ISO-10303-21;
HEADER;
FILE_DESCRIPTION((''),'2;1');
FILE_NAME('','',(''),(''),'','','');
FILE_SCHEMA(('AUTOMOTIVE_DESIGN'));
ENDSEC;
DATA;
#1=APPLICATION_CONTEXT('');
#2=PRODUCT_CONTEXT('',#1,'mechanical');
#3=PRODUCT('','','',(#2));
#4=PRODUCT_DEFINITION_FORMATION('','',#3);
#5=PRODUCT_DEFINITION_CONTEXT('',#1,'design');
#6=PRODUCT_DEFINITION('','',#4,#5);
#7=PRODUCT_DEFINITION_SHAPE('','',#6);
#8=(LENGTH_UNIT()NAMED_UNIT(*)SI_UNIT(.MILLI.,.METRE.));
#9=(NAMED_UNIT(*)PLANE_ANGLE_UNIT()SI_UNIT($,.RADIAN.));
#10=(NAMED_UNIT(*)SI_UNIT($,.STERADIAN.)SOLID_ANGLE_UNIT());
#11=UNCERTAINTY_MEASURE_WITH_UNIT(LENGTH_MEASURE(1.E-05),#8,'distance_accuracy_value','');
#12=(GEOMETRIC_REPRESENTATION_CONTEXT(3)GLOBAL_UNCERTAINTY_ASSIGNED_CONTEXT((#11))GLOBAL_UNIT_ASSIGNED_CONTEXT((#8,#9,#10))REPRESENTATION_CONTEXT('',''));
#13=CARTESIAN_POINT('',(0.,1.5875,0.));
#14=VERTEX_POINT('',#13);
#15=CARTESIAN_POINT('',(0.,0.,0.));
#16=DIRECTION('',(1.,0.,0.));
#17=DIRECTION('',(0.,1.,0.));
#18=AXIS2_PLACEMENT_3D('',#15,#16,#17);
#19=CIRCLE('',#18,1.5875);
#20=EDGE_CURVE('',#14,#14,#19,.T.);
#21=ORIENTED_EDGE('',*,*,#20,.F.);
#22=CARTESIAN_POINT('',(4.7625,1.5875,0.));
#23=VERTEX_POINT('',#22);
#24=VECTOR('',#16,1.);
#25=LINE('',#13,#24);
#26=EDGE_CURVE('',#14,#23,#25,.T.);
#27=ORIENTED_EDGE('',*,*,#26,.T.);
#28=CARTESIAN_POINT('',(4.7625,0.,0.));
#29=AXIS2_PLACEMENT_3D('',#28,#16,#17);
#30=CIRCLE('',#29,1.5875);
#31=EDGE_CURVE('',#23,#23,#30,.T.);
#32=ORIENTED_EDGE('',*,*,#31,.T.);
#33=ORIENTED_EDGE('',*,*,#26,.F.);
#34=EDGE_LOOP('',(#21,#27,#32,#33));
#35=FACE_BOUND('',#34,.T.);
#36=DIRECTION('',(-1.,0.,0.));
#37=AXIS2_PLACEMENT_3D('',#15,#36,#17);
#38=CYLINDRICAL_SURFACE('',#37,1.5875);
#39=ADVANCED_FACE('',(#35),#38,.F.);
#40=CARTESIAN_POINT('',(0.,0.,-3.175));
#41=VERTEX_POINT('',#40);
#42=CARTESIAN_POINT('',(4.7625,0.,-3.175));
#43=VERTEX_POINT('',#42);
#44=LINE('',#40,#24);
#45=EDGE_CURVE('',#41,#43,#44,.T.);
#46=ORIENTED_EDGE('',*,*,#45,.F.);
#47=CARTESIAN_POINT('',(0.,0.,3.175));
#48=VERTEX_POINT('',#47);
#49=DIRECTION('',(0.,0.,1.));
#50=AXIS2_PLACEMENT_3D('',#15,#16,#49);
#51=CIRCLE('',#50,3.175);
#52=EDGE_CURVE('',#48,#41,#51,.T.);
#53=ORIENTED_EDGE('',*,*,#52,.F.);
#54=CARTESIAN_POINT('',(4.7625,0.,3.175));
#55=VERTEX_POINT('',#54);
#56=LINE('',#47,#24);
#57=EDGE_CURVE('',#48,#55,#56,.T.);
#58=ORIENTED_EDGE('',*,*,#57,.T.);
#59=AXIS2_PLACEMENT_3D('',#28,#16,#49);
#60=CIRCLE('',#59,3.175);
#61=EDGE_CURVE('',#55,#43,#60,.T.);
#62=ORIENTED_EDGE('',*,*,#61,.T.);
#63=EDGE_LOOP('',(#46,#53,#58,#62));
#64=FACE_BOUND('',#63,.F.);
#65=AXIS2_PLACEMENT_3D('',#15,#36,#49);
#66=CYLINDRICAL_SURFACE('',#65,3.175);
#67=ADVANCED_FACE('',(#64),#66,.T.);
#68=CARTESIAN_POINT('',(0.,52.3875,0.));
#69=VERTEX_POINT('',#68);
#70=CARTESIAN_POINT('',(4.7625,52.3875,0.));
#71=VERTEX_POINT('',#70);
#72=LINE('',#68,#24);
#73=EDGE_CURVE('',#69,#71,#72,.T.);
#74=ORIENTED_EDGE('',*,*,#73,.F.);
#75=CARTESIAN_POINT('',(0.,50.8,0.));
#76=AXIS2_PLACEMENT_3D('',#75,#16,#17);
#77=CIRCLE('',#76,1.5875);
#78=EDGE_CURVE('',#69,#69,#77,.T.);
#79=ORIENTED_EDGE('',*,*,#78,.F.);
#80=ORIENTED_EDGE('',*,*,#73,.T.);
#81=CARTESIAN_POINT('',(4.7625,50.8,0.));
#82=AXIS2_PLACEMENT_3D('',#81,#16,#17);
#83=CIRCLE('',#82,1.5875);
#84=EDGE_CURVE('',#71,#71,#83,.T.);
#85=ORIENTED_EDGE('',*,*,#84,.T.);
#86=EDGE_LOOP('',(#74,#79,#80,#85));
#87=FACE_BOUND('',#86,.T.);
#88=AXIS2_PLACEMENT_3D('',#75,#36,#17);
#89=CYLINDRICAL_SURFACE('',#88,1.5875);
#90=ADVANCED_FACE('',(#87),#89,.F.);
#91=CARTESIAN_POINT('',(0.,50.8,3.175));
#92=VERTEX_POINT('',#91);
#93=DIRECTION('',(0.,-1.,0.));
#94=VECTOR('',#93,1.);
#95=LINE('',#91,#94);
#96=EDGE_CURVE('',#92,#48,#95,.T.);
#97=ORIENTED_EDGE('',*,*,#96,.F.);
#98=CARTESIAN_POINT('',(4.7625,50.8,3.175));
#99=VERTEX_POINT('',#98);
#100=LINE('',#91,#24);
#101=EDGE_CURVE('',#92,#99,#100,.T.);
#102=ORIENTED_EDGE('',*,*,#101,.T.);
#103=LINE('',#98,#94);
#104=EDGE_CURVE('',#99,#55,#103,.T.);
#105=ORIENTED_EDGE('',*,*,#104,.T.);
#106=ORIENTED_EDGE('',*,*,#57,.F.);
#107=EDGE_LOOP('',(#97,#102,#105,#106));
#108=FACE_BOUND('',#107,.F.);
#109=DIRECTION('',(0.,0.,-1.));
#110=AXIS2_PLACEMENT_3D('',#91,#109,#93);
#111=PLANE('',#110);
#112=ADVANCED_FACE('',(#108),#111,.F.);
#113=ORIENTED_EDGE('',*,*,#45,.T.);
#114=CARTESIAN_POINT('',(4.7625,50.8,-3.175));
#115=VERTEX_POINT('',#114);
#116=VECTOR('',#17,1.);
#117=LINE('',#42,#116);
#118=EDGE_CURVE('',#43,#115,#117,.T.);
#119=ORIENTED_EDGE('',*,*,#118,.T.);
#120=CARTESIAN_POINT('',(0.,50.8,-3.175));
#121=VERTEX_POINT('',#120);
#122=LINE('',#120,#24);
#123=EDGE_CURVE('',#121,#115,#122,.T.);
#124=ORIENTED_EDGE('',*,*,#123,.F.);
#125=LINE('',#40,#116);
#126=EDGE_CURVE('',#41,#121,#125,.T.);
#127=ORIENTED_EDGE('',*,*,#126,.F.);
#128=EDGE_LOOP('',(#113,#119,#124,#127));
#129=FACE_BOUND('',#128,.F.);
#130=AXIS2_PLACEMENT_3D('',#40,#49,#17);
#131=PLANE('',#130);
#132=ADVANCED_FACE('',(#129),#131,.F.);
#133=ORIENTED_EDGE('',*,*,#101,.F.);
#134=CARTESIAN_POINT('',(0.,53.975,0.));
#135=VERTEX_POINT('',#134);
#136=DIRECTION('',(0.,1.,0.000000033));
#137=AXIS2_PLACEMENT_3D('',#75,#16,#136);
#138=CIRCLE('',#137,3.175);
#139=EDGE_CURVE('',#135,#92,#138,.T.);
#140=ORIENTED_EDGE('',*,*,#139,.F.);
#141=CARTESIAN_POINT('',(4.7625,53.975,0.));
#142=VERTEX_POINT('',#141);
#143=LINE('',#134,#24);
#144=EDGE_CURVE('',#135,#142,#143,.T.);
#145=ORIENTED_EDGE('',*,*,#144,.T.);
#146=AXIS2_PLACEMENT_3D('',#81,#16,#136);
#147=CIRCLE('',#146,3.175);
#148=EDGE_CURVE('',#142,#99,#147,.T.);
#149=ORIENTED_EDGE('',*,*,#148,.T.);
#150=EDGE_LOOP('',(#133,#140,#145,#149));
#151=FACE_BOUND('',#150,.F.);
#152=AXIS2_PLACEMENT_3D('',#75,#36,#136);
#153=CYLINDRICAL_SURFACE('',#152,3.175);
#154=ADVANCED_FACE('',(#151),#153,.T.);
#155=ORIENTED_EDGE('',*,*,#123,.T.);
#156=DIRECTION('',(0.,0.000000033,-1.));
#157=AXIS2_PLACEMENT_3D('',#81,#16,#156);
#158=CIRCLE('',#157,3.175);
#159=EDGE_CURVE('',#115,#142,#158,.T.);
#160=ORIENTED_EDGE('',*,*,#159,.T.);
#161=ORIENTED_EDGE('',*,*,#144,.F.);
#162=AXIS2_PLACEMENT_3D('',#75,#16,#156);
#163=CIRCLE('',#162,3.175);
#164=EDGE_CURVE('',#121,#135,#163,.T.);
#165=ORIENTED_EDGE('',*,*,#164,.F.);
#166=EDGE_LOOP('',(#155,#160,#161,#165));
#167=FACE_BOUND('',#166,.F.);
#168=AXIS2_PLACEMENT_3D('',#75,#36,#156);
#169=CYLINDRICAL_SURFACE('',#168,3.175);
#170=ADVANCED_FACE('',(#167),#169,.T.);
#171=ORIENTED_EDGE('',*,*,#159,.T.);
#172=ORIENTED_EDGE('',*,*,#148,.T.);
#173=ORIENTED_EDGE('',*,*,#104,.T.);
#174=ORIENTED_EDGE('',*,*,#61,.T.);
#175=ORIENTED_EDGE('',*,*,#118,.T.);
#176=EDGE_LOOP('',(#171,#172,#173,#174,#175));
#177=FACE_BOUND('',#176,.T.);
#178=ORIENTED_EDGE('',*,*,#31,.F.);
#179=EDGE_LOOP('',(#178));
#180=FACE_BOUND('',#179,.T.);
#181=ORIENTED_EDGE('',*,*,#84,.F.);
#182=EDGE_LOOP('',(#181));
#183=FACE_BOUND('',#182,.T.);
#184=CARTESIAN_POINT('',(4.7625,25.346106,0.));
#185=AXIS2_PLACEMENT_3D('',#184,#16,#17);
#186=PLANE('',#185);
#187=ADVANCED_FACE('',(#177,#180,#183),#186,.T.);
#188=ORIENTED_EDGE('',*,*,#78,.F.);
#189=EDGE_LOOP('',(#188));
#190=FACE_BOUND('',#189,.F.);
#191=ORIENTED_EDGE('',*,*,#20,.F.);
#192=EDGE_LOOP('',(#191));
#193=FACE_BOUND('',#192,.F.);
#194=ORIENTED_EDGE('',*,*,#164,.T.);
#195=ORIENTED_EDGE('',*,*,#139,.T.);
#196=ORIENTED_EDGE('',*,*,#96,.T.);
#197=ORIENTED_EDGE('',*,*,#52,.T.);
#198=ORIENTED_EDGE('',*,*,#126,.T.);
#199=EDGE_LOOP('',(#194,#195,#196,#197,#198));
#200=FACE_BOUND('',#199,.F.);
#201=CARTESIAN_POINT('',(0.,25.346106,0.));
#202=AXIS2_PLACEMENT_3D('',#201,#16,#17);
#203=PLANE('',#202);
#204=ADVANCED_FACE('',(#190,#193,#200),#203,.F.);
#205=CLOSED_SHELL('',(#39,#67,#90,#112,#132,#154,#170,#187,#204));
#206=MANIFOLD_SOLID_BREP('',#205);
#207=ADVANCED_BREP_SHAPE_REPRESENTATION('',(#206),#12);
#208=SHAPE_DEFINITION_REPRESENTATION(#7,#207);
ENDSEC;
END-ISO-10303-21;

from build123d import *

# Parameters (mm, degrees)
F0_R     = 1.5875
F1_DEPTH = 4.7625


with BuildPart() as f1:
    # F0 (on Right) → F1 (new body)
    with BuildSketch(Plane.YZ):
        with BuildLine():
            ThreePointArc((0, 3.175), (2.245064, 2.245064), (3.175, 0))
            ThreePointArc((3.175, 0), (2.245064, -2.245064), (0, -3.175))
            Line((0, -3.175), (50.8, -3.175))
            ThreePointArc((50.8, -3.175), (47.625, 0), (50.8, 3.175))
            Line((50.8, 3.175), (0, 3.175))
        make_face()
        with BuildLine():
            ThreePointArc((0, -3.175), (2.245064, -2.245064), (3.175, 0))
            ThreePointArc((3.175, 0), (2.245064, 2.245064), (0, 3.175))
            ThreePointArc((0, 3.175), (-3.175, 0), (0, -3.175))
        make_face()
        Circle(F0_R, mode=Mode.SUBTRACT)
        with BuildLine():
            ThreePointArc((53.975, 0), (53.045064, 2.245064), (50.8, 3.175))
            ThreePointArc((50.8, 3.175), (47.625, 0), (50.8, -3.175))
            ThreePointArc((50.8, -3.175), (53.045064, -2.245064), (53.975, 0))
        make_face()
        with Locations((50.8, 0)):
            Circle(F0_R, mode=Mode.SUBTRACT)
    extrude(amount=F1_DEPTH)


solid = f1.part
